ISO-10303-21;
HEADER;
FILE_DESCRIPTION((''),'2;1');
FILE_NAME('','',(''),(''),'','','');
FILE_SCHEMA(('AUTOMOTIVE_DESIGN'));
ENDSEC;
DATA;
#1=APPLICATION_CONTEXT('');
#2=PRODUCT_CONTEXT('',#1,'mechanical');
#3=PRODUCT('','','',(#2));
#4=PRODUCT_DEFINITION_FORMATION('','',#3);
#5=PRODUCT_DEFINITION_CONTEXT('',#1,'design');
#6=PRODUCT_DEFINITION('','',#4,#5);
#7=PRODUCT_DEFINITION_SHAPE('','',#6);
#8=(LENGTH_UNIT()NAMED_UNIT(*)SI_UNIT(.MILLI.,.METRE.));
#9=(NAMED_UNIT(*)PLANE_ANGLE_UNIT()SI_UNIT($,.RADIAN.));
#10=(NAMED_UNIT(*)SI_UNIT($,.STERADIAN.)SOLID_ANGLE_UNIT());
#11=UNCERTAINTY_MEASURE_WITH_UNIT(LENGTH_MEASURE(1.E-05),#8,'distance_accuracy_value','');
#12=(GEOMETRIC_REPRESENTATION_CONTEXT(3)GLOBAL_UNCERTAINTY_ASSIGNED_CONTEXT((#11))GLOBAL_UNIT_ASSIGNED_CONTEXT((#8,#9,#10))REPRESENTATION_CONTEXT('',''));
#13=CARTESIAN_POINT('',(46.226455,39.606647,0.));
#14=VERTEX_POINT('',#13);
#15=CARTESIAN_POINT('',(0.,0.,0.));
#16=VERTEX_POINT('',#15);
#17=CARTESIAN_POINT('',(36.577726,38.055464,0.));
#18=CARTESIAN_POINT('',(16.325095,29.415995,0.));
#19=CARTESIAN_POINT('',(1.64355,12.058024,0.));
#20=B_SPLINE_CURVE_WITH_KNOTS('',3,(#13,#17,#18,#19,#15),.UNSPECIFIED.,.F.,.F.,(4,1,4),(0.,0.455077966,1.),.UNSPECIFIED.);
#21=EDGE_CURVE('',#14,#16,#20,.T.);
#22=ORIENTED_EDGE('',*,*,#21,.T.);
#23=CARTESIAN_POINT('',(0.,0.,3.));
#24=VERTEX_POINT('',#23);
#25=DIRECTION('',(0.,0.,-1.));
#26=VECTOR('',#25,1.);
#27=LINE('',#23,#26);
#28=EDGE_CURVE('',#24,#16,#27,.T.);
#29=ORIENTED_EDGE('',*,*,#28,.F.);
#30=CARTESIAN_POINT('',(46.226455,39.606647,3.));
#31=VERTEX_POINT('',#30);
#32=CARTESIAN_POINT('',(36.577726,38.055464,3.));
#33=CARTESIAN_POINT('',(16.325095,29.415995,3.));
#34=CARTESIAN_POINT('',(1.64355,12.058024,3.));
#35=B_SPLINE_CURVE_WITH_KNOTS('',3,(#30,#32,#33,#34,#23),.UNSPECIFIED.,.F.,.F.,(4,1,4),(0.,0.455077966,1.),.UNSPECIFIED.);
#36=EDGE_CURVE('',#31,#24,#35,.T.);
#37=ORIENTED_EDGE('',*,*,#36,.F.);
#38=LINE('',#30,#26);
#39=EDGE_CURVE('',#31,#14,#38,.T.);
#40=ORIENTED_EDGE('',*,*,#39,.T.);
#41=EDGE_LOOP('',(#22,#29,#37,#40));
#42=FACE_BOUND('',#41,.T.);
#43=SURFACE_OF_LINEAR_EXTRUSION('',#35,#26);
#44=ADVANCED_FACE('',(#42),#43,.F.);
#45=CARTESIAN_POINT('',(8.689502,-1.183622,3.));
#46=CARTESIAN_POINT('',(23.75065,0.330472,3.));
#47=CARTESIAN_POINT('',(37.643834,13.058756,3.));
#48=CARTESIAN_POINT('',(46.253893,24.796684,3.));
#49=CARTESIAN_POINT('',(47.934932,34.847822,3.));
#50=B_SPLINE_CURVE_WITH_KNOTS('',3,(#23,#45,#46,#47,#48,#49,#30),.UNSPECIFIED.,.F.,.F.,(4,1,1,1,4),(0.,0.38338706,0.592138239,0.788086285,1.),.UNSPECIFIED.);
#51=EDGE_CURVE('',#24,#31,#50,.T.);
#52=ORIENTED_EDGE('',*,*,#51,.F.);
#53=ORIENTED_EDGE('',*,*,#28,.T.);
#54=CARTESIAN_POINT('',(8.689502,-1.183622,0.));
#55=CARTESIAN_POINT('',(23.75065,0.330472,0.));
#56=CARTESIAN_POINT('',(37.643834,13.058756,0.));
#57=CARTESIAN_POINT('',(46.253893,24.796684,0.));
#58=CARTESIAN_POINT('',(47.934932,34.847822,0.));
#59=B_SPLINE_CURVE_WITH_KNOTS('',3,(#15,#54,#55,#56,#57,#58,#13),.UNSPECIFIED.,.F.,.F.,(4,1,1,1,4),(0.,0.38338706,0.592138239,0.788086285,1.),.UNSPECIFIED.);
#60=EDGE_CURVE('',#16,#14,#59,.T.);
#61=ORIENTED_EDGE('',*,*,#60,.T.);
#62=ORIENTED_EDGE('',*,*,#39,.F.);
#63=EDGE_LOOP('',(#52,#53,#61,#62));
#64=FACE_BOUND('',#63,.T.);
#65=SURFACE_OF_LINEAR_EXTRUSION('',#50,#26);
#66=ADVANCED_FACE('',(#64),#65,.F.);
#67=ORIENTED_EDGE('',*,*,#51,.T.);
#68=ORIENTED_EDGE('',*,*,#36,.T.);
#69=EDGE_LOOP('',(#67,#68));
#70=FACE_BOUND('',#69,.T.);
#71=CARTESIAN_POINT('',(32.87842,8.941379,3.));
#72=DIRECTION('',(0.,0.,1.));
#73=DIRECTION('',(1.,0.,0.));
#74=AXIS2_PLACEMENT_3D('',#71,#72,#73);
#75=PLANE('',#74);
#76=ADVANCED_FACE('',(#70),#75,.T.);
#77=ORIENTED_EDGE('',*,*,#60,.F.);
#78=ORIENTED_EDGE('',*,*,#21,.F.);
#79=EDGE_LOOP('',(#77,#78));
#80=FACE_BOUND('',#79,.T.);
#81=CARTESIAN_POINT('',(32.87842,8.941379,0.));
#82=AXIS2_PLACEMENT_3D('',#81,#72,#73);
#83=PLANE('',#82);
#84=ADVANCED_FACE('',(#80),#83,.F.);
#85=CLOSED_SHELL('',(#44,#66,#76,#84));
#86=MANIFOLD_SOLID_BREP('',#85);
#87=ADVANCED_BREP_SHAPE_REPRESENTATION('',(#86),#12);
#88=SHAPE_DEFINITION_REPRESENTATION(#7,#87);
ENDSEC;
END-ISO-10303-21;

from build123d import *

# Parameters (mm, degrees)
ESTRUSIONE_ESTRUSIONE1_DEPTH = 3


with BuildPart() as part:
    # Schizzo1 → Estrusione-Estrusione1 (new body)
    with BuildSketch(Plane.XY):
        with BuildLine():
            add(Edge.make_bspline(
                [(0, 0), (1.643549729, 12.058024316), (16.325094641, 29.415995083), (36.577725796, 38.055463823), (46.226454712, 39.606646877)],
                knots=[0, 0, 0, 0, 0.544922034, 1, 1, 1, 1], degree=3))
            add(Edge.make_bspline(
                [(46.226454712, 39.606646877), (47.934931795, 34.847822294), (46.253893396, 24.796684219), (37.643834367, 13.058756394), (23.750650185, 0.330471541), (8.689502399, -1.183621912), (0, 0)],
                knots=[0, 0, 0, 0, 0.211913715, 0.407861761, 0.61661294, 1, 1, 1, 1], degree=3))
        make_face()
    extrude(amount=ESTRUSIONE_ESTRUSIONE1_DEPTH)


solid = part.part
